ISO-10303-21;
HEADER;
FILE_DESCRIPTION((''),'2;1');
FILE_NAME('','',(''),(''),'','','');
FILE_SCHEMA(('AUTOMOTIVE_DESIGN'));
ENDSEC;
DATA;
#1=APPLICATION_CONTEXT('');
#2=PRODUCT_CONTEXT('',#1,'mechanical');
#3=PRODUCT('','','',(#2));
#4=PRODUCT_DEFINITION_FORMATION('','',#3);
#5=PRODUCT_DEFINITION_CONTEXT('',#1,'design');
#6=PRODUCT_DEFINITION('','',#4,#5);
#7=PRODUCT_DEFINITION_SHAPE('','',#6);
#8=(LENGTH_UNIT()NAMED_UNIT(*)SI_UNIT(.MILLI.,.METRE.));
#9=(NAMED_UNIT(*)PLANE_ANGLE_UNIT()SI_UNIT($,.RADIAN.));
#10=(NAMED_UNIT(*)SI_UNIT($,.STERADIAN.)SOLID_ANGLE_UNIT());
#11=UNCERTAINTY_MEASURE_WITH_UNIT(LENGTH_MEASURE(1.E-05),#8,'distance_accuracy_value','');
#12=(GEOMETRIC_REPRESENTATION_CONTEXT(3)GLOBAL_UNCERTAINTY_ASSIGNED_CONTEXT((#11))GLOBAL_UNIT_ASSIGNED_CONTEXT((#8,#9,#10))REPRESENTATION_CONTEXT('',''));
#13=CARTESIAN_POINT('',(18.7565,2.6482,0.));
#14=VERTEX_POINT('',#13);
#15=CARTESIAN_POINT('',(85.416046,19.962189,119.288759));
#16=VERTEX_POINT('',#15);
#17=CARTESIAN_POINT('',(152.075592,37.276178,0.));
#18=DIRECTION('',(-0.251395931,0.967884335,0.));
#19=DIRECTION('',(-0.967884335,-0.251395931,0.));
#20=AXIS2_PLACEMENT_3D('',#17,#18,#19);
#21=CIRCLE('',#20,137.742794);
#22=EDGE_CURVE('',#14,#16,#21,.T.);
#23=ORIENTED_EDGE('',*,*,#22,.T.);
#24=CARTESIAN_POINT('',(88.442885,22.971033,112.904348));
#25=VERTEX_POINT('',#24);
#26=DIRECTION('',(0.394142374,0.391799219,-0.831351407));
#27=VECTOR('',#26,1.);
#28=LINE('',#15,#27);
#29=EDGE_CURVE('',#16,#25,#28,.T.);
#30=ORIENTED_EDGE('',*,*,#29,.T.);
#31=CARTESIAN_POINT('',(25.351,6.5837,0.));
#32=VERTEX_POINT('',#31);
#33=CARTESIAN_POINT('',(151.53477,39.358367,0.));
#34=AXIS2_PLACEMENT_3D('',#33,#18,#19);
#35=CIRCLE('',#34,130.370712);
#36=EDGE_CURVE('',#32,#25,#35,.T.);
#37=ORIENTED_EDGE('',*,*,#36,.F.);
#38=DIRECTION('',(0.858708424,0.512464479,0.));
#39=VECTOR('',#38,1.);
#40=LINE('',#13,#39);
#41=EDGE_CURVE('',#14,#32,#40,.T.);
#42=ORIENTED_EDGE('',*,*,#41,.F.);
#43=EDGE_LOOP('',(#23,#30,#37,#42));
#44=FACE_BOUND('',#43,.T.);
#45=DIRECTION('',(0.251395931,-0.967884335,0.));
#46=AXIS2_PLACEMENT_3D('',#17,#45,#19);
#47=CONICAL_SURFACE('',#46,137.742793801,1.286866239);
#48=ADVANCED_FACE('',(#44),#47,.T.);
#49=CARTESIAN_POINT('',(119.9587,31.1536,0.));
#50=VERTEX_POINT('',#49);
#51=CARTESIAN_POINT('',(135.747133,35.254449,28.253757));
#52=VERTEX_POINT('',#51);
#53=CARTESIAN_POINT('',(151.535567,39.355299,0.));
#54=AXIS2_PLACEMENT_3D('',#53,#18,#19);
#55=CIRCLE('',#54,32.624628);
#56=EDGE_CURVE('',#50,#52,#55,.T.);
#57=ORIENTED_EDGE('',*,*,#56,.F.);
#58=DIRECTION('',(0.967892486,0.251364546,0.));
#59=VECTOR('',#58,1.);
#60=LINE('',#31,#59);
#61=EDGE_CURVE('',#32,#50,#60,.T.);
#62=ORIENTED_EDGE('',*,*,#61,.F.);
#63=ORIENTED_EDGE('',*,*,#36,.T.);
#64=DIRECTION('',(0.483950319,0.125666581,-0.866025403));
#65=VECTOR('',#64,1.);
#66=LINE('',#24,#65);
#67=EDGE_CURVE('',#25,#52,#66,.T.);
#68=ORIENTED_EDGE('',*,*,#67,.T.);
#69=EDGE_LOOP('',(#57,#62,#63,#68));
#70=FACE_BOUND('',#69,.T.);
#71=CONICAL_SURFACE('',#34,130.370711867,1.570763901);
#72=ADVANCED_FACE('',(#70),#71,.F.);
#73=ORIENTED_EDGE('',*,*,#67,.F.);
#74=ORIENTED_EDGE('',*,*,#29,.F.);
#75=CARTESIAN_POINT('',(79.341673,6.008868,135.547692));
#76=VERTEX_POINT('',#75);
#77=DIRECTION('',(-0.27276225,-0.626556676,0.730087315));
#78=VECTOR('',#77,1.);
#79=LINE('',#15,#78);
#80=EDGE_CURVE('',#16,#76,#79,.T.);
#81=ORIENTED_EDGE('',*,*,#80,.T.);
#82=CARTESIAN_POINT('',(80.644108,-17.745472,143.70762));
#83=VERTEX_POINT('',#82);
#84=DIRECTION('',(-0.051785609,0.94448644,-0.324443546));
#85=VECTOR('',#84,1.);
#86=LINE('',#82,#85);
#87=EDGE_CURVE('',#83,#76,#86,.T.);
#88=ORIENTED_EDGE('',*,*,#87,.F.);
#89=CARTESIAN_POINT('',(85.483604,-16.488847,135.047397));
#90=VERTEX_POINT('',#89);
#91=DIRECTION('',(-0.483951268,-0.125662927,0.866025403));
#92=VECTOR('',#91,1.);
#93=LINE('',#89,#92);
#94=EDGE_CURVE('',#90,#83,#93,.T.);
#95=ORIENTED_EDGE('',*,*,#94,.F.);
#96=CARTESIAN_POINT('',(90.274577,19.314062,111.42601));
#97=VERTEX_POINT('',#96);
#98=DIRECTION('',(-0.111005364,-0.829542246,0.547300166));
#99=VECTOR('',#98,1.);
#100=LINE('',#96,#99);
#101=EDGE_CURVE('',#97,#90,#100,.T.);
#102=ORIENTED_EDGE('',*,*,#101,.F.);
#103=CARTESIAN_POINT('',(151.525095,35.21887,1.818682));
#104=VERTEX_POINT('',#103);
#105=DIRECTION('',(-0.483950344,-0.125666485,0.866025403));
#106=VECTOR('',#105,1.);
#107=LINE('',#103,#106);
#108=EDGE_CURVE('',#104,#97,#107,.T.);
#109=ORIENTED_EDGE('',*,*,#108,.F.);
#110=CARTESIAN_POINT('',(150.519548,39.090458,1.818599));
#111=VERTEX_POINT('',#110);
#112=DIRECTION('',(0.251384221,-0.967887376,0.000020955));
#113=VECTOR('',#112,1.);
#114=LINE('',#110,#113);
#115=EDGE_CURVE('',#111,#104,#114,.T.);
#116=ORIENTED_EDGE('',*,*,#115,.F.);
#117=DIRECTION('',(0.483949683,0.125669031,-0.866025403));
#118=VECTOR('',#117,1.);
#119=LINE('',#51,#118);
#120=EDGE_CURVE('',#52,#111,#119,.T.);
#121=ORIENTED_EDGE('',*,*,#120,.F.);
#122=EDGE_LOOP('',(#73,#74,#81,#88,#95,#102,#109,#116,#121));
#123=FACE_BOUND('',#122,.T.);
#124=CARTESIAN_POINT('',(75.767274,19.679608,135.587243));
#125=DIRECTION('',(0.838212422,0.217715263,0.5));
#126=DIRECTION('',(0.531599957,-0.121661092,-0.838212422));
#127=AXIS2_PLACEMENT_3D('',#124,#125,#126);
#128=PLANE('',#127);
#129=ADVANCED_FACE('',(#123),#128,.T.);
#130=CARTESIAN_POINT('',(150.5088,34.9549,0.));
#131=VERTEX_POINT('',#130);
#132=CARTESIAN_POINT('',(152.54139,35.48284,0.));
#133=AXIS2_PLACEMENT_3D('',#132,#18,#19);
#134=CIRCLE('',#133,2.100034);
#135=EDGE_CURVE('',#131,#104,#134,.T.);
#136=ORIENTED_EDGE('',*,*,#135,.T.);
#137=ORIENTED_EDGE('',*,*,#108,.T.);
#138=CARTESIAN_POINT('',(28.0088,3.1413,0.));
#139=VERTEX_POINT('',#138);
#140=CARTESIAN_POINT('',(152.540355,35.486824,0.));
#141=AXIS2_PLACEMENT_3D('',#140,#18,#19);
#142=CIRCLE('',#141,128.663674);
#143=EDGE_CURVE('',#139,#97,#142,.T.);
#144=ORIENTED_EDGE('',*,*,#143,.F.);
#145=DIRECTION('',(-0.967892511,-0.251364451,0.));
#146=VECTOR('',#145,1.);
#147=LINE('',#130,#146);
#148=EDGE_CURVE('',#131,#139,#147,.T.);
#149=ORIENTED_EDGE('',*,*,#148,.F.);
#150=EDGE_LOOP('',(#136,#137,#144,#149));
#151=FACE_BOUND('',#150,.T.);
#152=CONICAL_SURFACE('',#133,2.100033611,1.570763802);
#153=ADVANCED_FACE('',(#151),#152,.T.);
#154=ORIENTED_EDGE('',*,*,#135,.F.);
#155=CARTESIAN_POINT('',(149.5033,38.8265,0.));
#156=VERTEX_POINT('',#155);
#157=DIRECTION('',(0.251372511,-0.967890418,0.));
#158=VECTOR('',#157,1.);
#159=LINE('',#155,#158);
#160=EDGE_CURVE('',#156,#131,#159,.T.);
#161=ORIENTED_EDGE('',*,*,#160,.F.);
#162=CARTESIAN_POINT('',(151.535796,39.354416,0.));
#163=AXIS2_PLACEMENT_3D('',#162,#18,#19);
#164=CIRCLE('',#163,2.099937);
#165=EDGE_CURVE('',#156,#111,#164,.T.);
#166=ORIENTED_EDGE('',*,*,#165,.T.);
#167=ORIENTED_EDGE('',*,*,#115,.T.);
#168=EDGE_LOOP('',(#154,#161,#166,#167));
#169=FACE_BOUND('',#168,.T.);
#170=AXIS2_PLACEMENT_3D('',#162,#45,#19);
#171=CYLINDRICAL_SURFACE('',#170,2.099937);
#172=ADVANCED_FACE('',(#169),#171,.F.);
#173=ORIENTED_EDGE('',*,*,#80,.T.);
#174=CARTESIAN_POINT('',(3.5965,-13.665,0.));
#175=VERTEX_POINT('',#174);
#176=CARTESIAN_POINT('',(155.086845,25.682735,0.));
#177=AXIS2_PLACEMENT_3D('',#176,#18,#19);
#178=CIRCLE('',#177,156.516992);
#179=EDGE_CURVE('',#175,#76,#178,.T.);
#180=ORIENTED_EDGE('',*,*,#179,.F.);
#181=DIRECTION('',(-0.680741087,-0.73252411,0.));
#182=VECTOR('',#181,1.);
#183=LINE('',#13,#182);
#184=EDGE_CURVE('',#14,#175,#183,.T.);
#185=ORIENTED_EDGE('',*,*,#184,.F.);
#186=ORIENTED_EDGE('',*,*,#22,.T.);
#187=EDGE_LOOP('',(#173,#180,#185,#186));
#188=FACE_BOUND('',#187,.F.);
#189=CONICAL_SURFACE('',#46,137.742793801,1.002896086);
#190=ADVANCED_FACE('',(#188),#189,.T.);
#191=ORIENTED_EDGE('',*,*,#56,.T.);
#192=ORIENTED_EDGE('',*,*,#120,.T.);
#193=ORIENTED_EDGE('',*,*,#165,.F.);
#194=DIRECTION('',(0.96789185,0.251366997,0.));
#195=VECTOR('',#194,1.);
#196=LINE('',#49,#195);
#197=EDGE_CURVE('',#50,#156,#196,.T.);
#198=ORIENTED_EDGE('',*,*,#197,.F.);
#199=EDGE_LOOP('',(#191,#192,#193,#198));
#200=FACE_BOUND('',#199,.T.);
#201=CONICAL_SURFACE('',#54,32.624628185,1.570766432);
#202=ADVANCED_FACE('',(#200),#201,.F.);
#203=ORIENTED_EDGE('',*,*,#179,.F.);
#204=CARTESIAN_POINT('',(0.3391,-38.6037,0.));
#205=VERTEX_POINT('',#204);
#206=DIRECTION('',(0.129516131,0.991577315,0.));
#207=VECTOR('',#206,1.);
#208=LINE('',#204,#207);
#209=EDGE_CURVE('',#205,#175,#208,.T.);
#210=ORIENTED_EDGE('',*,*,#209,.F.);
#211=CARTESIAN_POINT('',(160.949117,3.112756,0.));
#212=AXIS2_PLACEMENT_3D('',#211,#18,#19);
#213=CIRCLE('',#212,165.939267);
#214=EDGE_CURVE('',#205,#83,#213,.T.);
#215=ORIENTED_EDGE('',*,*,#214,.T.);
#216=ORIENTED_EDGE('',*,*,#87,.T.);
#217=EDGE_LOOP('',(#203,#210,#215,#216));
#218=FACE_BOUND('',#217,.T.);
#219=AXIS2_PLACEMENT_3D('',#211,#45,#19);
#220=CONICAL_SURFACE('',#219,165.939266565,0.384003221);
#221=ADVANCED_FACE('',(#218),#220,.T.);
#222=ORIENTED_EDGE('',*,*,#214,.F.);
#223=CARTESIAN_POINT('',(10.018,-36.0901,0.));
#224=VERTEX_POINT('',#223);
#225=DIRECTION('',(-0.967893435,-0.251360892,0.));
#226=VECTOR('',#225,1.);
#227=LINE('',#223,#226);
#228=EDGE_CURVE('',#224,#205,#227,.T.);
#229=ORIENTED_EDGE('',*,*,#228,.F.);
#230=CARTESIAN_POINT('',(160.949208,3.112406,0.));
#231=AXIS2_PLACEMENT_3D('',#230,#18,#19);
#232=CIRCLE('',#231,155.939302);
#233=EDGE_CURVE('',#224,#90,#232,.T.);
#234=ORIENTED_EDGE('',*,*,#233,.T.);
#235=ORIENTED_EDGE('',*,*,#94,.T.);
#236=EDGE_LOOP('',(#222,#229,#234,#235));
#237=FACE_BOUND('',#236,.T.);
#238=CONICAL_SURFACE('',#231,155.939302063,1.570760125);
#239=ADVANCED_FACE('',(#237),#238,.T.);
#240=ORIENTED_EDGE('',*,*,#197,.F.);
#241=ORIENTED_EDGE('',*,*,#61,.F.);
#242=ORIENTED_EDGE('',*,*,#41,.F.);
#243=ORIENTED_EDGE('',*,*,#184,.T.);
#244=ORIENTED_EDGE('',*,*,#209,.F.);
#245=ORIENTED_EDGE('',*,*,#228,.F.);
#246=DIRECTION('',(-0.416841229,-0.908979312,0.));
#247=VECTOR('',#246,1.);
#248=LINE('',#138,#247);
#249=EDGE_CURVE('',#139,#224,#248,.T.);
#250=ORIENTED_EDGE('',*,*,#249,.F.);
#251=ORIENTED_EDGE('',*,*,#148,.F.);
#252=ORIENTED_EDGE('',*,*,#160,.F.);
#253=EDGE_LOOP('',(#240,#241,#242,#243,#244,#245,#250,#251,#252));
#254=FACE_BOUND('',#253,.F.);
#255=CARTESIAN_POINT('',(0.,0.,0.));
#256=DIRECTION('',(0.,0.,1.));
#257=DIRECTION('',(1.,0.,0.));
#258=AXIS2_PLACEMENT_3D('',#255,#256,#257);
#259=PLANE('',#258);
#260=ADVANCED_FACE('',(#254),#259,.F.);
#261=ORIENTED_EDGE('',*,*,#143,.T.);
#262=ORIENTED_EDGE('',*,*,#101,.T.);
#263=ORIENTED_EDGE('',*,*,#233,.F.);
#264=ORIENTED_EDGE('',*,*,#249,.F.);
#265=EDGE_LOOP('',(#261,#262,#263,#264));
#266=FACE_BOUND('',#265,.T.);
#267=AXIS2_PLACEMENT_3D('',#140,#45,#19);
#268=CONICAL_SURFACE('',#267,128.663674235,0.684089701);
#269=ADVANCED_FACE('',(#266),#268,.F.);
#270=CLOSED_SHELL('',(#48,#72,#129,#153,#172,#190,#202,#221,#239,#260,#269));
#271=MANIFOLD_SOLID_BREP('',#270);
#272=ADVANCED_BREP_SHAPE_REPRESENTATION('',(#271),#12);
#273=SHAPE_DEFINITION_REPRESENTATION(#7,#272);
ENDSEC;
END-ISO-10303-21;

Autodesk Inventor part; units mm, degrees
ref_plane "YZ Plane" through (0, 0, 0) normal (1, 0, 0) x (0, 1, 0)
ref_plane "XZ Plane" through (0, 0, 0) normal (0, 1, 0) x (-1, 0, 0)
ref_plane "XY Plane" through (0, 0, 0) normal (0, 0, 1) x (1, 0, 0)
sketch "Sketch1" plane through (0, 0, 0) normal (0, 0, 1) x (1, 0, 0)
  line L0 (18.7565, 2.6482) -> (25.351, 6.5837) projected
  line L1 (18.7565, 2.6482) -> (3.5965, -13.665) projected
  line L2 (0.3391, -38.6037) -> (3.5965, -13.665) projected
  line L3 (10.018, -36.0901) -> (0.3391, -38.6037) projected
  line L4 (28.0088, 3.1413) -> (10.018, -36.0901) projected
  line L5 (150.5088, 34.9549) -> (28.0088, 3.1413) projected
  line L6 (149.5033, 38.8265) -> (150.5088, 34.9549) projected
  line L7 (25.351, 6.5837) -> (119.9587, 31.1536) projected
  line L8 (152.5414, 35.4828) -> (151.49, 39.5312) construction
  line L9 (119.9587, 31.1536) -> (149.5033, 38.8265) projected
  point P0 (0, 0)
revolve "Revolution1" add sketch "Sketch1" angle 60 about axis through (152.5414, 35.4828, 0) along (-0.2514, 0.9679, 0)
properties part number "Head_RightPanel_Bottom"
